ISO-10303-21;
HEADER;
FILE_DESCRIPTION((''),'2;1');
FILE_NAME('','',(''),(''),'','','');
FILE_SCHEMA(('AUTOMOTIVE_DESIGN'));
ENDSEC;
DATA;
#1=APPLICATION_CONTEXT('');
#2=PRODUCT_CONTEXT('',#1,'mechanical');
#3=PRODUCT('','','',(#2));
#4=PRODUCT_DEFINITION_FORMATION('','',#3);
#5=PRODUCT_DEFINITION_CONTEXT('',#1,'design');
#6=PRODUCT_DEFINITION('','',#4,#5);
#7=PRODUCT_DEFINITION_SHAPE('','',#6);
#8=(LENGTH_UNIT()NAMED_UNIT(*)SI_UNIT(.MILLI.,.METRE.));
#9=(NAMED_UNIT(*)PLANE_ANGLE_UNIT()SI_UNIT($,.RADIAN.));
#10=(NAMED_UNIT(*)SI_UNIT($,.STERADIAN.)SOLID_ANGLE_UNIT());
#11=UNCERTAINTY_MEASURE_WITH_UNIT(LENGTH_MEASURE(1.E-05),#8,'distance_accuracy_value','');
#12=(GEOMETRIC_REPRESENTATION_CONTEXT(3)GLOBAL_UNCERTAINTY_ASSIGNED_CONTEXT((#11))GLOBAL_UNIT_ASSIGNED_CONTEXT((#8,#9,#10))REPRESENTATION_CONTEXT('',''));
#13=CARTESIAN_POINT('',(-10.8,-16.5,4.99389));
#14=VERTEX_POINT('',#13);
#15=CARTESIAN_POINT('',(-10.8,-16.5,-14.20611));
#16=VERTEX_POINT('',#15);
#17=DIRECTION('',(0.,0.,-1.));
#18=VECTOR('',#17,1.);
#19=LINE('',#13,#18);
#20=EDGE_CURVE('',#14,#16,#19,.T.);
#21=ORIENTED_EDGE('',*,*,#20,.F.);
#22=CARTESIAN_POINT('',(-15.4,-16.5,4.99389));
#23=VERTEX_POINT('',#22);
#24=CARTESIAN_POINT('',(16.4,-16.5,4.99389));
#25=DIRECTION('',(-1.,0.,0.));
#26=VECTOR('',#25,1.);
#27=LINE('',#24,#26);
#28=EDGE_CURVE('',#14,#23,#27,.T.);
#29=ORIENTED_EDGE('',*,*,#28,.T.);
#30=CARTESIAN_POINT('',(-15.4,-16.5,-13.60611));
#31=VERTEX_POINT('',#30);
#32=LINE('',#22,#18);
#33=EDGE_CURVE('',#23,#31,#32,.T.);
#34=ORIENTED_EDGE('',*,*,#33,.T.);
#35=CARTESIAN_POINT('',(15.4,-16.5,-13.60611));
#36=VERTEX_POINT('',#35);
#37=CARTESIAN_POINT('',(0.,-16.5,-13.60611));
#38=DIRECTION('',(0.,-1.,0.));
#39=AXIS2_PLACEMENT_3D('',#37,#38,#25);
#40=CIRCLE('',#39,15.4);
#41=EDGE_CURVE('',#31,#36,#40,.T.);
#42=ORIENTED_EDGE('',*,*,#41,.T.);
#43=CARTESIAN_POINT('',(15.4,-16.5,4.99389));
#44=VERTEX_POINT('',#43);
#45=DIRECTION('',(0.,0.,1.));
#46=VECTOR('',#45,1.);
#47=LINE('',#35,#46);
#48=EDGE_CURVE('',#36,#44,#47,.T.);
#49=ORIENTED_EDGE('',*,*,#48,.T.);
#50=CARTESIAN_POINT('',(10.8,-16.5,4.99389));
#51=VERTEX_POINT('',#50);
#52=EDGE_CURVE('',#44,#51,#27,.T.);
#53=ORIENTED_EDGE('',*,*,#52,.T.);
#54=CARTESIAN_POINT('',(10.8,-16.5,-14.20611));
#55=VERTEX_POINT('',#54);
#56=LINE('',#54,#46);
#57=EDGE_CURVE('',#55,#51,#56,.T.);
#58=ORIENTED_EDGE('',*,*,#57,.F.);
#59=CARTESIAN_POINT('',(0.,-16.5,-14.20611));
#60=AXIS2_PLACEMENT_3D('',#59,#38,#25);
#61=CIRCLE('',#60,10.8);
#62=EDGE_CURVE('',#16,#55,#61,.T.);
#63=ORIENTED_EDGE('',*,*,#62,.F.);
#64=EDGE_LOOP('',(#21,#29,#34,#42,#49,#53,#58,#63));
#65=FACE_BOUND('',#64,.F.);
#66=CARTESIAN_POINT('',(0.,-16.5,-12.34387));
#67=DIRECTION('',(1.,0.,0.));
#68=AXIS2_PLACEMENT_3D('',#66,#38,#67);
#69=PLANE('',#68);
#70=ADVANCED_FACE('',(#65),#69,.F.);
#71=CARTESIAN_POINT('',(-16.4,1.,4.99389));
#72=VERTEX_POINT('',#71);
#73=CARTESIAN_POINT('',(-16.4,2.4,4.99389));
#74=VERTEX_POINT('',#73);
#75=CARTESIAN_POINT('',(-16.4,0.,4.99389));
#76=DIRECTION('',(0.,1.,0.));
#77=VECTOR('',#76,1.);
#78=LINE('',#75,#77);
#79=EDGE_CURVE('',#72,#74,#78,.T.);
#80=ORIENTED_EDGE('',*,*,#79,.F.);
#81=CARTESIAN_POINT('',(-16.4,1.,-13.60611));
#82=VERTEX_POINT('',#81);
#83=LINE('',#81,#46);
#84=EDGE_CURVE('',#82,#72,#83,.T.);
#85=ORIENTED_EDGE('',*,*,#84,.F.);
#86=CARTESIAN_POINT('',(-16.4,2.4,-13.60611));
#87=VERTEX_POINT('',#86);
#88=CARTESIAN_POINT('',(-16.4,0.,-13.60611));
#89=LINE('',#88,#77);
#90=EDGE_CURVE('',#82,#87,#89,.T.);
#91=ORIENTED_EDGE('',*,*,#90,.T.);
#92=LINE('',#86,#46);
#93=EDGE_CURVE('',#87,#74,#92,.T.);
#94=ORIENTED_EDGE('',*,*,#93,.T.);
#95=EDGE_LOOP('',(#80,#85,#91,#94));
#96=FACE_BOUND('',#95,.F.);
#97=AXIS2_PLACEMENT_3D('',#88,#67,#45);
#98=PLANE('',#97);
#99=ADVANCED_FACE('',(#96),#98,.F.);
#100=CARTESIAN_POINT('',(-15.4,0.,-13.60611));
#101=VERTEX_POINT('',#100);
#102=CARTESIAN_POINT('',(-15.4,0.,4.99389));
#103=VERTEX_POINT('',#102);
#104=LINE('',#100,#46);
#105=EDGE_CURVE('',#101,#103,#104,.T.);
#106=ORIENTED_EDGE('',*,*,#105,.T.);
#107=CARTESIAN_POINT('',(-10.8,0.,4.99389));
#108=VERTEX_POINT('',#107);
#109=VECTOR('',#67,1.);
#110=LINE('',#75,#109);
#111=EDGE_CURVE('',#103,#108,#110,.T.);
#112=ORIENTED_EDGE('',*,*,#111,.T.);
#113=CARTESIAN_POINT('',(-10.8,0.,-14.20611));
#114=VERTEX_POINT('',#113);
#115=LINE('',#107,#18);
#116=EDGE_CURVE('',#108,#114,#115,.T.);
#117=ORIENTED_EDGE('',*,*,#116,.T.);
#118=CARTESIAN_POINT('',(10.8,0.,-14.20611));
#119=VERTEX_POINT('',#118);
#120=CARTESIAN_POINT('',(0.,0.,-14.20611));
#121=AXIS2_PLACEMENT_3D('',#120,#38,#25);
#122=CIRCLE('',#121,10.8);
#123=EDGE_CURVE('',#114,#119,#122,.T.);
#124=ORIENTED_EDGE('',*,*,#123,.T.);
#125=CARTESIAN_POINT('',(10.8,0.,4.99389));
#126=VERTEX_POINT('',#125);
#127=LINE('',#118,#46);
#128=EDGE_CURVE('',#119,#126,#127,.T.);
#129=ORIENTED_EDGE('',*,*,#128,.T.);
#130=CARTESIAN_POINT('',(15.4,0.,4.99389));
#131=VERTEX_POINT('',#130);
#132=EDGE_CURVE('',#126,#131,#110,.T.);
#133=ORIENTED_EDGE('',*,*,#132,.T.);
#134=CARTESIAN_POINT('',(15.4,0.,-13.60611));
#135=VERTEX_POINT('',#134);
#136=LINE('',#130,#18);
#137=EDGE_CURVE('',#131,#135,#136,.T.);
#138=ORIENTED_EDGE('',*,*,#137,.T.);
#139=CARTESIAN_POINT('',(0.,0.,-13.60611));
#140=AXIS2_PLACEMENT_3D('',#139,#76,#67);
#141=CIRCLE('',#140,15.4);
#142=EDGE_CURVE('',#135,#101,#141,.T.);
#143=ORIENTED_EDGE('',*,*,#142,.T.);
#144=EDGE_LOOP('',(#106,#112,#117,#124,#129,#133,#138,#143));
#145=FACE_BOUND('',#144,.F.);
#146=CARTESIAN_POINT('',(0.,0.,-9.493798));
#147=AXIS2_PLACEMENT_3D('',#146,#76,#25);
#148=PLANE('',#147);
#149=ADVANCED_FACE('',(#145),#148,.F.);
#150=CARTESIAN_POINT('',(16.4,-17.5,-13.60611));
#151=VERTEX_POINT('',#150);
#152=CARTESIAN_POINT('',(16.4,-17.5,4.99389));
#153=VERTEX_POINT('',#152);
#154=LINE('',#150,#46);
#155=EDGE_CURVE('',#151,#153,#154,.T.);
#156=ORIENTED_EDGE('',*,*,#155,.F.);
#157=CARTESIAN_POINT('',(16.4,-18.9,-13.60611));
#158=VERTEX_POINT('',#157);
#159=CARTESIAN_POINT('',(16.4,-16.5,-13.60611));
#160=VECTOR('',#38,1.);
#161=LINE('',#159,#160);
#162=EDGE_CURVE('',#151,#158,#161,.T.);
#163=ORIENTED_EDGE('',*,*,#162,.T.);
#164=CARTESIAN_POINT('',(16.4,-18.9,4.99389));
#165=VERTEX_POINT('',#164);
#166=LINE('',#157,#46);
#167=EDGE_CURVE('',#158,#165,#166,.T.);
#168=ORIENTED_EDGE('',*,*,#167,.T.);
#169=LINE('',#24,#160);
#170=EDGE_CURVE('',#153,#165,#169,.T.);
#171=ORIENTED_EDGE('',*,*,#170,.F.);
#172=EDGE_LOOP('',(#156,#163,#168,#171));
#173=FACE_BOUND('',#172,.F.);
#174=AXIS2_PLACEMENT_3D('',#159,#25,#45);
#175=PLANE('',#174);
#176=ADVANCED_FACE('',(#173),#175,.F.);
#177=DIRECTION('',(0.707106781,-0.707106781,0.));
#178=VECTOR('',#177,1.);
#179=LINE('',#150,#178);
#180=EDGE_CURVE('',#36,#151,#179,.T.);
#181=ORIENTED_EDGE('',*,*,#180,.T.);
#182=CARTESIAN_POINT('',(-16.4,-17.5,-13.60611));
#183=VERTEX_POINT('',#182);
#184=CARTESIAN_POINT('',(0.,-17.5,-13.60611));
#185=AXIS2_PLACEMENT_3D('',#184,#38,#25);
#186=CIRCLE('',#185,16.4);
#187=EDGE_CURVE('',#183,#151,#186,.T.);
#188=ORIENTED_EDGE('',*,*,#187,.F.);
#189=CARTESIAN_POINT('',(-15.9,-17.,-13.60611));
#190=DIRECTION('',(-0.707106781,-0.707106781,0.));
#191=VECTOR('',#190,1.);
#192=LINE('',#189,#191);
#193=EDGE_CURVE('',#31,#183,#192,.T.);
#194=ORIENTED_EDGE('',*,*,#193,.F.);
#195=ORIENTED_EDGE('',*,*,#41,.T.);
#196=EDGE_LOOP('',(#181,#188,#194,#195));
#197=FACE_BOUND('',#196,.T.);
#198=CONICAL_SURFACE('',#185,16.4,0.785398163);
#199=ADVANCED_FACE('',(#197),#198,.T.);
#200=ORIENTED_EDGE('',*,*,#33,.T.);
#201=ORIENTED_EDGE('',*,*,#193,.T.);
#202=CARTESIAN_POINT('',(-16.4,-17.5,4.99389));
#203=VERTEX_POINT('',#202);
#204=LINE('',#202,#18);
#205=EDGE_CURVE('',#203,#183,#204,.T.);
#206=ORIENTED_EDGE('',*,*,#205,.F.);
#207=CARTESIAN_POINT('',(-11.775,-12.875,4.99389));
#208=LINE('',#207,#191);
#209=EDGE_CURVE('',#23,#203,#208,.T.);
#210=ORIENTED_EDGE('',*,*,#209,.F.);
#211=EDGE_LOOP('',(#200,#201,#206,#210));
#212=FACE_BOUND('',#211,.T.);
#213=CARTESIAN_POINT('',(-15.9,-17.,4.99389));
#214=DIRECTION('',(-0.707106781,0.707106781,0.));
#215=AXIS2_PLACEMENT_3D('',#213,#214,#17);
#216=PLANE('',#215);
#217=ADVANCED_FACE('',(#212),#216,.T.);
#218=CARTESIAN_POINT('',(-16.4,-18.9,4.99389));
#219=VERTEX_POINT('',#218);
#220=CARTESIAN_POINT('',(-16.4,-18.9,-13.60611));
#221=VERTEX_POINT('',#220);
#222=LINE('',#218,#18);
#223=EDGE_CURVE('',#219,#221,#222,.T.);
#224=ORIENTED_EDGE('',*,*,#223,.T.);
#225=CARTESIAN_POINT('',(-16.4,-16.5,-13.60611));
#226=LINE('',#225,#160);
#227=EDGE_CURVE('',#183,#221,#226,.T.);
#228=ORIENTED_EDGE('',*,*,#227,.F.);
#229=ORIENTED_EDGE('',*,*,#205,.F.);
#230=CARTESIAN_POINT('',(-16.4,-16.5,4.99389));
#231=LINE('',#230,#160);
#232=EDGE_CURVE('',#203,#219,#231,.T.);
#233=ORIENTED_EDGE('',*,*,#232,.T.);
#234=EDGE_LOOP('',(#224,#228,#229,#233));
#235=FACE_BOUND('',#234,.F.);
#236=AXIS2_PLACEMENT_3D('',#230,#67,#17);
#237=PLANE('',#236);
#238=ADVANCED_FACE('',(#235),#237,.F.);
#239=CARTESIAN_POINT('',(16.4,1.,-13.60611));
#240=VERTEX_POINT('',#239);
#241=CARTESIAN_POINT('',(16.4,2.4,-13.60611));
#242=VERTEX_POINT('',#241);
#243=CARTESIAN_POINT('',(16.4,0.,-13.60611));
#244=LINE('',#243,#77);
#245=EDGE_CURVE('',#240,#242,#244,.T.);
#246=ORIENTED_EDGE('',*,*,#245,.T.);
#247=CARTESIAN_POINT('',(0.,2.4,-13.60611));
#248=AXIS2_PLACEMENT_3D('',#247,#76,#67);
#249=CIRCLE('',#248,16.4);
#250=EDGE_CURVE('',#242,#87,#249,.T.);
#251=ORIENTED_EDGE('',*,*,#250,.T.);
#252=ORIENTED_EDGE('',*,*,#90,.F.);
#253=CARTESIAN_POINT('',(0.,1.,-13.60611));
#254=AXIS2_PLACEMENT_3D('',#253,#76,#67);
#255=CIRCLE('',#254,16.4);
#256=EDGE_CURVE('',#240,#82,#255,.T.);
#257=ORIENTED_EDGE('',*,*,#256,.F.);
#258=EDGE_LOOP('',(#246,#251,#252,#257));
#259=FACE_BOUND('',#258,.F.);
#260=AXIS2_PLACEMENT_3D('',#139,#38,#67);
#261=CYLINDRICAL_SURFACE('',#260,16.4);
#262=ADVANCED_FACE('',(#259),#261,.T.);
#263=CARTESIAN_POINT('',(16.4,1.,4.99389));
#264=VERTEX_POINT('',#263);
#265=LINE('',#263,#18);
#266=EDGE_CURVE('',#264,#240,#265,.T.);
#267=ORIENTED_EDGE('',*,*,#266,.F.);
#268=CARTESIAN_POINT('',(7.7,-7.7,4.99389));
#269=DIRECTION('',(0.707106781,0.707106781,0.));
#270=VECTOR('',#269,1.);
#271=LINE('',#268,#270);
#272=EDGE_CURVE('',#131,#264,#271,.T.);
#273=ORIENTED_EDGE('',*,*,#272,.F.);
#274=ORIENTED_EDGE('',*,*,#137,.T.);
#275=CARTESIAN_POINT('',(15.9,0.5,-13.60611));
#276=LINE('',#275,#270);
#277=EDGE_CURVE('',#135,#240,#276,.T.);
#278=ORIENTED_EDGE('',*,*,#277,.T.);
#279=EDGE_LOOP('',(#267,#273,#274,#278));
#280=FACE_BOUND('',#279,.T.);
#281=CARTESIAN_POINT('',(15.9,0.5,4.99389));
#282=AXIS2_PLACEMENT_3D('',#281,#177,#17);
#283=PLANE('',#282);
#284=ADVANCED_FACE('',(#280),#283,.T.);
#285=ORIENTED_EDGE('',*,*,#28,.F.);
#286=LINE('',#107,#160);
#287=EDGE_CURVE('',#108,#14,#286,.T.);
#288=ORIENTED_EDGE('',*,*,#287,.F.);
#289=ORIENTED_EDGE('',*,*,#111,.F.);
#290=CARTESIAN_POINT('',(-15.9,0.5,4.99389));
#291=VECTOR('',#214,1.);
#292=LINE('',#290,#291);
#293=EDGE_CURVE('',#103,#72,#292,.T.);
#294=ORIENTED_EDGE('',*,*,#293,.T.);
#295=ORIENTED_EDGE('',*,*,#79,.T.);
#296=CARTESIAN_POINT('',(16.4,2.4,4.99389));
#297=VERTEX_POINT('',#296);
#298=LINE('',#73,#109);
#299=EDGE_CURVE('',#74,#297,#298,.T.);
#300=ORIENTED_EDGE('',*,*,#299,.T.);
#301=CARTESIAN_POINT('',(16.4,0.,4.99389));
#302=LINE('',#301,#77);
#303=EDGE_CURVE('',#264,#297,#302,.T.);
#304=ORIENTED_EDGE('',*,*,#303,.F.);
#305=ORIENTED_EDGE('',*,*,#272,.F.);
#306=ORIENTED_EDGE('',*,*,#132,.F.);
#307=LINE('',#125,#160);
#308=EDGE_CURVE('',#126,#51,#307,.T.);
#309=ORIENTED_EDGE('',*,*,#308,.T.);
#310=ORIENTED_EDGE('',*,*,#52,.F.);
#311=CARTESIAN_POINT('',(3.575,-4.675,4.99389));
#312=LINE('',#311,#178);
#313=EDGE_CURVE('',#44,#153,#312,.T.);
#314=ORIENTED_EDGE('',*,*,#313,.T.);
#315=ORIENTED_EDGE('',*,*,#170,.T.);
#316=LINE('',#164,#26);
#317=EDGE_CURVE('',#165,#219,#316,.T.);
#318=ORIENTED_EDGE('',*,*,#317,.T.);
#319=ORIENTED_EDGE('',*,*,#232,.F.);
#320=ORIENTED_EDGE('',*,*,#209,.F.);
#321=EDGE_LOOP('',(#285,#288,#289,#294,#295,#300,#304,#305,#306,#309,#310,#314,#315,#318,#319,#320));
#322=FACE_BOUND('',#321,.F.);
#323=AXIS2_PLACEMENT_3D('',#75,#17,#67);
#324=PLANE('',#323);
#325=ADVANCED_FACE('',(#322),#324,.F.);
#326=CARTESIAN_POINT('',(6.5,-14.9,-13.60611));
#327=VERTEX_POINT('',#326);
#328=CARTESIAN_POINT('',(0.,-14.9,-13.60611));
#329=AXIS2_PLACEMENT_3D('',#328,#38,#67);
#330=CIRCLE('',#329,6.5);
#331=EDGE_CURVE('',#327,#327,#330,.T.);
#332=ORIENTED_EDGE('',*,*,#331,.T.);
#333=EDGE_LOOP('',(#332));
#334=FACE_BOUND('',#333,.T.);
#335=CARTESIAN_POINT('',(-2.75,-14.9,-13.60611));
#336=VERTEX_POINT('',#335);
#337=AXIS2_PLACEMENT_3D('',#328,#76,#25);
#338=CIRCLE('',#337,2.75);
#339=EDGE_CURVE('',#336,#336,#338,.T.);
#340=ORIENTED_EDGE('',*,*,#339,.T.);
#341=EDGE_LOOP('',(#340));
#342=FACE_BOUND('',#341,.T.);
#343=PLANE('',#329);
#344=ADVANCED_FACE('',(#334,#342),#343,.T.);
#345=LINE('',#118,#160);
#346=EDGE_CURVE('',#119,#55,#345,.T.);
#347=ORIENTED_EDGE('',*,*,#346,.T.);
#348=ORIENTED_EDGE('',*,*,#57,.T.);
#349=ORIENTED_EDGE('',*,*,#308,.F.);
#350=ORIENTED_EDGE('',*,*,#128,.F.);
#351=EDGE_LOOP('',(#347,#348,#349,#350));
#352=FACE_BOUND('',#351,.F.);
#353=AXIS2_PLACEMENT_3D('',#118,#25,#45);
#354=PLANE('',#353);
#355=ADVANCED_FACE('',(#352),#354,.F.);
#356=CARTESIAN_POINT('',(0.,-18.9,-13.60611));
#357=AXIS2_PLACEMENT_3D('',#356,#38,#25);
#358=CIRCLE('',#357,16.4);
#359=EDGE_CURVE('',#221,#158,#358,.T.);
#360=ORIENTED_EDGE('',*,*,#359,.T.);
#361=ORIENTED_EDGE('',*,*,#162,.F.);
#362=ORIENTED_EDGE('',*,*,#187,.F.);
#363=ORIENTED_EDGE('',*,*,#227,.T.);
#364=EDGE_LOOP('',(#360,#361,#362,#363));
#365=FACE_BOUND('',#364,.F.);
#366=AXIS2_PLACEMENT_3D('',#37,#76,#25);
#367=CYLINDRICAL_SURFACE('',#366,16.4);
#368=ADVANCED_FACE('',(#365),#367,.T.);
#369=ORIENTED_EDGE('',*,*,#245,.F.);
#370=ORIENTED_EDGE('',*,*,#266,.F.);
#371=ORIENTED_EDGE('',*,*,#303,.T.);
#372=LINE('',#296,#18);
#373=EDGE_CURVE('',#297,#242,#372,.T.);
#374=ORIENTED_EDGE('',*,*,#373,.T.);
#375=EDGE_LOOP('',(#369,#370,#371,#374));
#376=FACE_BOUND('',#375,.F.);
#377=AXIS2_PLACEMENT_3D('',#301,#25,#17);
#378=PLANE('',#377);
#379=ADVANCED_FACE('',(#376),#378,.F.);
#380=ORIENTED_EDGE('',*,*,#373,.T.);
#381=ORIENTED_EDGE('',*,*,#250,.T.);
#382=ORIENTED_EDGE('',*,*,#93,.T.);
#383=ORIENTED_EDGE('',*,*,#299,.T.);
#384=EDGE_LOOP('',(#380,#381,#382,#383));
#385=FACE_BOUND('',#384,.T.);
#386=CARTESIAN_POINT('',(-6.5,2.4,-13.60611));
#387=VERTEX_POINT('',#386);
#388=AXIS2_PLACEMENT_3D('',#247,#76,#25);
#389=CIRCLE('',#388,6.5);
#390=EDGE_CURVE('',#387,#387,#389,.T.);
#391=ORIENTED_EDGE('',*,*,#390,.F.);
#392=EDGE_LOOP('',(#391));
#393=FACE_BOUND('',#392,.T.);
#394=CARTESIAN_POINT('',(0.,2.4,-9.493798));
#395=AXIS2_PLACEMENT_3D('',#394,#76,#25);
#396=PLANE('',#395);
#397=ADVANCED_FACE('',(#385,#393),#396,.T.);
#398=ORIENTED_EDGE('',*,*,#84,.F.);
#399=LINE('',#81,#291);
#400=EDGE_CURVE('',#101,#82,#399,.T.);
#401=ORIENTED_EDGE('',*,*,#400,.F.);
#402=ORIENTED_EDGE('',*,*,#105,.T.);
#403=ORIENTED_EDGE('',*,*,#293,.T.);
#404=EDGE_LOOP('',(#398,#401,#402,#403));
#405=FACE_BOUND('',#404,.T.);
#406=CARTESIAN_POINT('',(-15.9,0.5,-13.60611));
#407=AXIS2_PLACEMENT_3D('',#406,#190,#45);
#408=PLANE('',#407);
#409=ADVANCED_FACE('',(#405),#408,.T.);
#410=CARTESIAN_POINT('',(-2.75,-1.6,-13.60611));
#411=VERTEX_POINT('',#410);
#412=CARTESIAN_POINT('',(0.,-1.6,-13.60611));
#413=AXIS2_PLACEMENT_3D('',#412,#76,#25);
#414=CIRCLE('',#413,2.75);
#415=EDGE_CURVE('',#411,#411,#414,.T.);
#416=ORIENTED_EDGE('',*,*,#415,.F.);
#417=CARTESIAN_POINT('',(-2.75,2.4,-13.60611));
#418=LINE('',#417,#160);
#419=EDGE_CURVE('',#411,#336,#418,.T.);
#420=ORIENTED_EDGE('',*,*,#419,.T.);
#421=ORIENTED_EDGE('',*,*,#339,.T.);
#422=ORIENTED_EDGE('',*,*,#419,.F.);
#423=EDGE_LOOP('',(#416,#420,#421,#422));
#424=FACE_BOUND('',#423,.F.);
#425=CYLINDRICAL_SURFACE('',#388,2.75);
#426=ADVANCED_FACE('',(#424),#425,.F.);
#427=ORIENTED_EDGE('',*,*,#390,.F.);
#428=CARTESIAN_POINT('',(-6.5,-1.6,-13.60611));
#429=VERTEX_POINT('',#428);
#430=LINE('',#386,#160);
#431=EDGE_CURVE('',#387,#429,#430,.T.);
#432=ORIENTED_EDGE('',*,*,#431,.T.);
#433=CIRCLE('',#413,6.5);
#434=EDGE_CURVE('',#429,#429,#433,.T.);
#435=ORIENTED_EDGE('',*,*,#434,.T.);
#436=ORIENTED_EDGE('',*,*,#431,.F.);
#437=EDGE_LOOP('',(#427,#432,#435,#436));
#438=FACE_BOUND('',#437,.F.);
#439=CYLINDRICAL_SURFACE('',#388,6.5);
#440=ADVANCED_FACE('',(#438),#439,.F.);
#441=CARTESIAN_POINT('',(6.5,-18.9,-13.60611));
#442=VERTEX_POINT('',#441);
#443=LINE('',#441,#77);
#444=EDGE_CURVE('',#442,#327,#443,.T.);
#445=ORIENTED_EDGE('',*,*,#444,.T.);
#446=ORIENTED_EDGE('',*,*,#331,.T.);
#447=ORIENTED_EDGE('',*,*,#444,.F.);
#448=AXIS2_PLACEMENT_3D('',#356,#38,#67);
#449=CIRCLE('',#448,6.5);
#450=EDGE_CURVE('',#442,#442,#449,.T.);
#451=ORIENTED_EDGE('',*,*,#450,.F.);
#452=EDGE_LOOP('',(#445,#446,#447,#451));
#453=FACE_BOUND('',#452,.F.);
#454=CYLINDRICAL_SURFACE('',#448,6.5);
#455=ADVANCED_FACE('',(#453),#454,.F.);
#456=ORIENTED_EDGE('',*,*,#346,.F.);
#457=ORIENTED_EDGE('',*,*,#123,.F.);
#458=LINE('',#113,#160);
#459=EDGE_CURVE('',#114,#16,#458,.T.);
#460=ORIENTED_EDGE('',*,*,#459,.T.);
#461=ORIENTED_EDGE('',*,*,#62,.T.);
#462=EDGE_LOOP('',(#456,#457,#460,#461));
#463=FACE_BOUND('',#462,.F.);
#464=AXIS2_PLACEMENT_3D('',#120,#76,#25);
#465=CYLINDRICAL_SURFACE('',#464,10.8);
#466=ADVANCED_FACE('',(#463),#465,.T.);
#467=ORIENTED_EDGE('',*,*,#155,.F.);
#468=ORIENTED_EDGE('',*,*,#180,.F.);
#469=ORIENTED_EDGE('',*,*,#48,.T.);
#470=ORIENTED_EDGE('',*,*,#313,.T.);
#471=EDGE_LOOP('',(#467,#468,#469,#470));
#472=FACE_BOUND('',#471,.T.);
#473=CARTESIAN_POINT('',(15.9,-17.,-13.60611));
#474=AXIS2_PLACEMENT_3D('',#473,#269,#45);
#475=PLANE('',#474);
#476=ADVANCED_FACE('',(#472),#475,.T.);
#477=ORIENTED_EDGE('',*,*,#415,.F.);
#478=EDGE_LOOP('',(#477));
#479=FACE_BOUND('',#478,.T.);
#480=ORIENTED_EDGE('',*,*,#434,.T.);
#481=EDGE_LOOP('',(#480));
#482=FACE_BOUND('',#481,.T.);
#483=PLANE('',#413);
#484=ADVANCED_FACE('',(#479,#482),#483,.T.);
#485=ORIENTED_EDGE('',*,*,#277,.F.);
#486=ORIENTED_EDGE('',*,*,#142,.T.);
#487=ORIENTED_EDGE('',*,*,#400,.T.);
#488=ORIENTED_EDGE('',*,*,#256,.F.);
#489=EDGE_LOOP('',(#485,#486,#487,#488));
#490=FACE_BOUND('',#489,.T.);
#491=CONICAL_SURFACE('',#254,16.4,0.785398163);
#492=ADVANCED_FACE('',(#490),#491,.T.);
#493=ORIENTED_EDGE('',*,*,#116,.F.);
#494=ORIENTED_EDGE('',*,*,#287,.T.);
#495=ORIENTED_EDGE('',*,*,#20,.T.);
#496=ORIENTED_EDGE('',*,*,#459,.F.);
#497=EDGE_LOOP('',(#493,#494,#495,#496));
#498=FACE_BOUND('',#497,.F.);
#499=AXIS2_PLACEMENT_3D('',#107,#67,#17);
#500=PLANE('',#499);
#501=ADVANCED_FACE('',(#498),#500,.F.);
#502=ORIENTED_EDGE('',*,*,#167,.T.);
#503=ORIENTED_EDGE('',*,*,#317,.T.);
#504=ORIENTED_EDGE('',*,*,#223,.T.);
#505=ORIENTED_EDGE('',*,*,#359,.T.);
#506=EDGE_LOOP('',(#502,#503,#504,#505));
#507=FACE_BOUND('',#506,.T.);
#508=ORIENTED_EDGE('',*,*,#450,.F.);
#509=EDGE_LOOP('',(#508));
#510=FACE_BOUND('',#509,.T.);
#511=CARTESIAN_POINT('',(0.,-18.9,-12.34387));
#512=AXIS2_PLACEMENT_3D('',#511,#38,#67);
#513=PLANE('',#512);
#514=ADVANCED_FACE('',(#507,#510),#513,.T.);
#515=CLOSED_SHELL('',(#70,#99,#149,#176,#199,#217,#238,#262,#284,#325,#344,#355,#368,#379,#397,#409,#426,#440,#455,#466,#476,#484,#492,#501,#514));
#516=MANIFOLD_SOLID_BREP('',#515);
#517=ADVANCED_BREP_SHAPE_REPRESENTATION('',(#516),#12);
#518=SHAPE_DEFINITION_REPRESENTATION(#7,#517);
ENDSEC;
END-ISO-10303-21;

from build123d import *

# Parameters (mm, degrees)
F1_DEPTH  = 16.5
F3_DEPTH  = 2.4
F5_DEPTH  = 2.4
F6_R      = 2.75
F7_DEPTH  = 21.301
F8_SIZE   = 1
F9_R      = 6.5
F10_DEPTH = 4
F11_R     = 6.5
F12_DEPTH = 4


with BuildPart() as f1:
    # F0 (on Front) → F1 (new body)
    with BuildSketch(Plane.XZ):
        with BuildLine():
            Line((10.8, 4.99389), (-10.8, 4.99389))
            Line((-10.8, 4.99389), (-10.8, -14.20611))
            ThreePointArc((-10.8, -14.20611), (0, -25.00611), (10.8, -14.20611))
            Line((10.8, -14.20611), (10.8, 4.99389))
        make_face()
    extrude(amount=F1_DEPTH)

    # F2 (on face) → F3 (join)
    with BuildSketch(Plane.XZ.offset(16.5)):
        with BuildLine():
            Line((10.8, 4.99389), (10.8, -14.20611))
            ThreePointArc((10.8, -14.20611), (0, -25.00611), (-10.8, -14.20611))
            Line((-10.8, -14.20611), (-10.8, 4.99389))
            Line((-10.8, 4.99389), (-16.4, 4.99389))
            Line((-16.4, 4.99389), (-16.4, -13.60611))
            ThreePointArc((-16.4, -13.60611), (0, -30.00611), (16.4, -13.60611))
            Line((16.4, -13.60611), (16.4, 4.99389))
            Line((16.4, 4.99389), (10.8, 4.99389))
        make_face()
        with BuildLine():
            ThreePointArc((-10.8, -14.20611), (0, -25.00611), (10.8, -14.20611))
            Line((10.8, -14.20611), (10.8, 4.99389))
            Line((10.8, 4.99389), (-10.8, 4.99389))
            Line((-10.8, 4.99389), (-10.8, -14.20611))
        make_face()
    extrude(amount=F3_DEPTH)

    # F4 (on face) → F5 (join)
    with BuildSketch(Plane(origin=(0, 0, 0), x_dir=(-1, 0, 0), z_dir=(0, 1, 0))):
        with BuildLine():
            Line((16.4, 4.99389), (-16.4, 4.99389))
            Line((-16.4, 4.99389), (-16.4, -13.60611))
            ThreePointArc((-16.4, -13.60611), (0, -30.00611), (16.4, -13.60611))
            Line((16.4, -13.60611), (16.4, 4.99389))
        make_face()
    extrude(amount=F5_DEPTH)

    # F6 (on face) → F7 (cut, through all)
    with BuildSketch(Plane(origin=(0, 2.4, 0), x_dir=(-1, 0, 0), z_dir=(0, 1, 0))):
        with Locations((0, -13.60611)):
            Circle(F6_R)
    extrude(amount=-F7_DEPTH, mode=Mode.SUBTRACT)

    # F8
    f8_edges = [f1.edges().sort_by_distance(p)[0] for p in [
        (0, -16.5, -30.00611),
        (0, 0, -30.00611),
    ]]
    chamfer(f8_edges, length=F8_SIZE)

    # F9 (on face) → F10 (cut)
    with BuildSketch(Plane(origin=(0, 2.4, 0), x_dir=(-1, 0, 0), z_dir=(0, 1, 0))):
        with Locations((0, -13.60611)):
            Circle(F9_R)
    extrude(amount=-F10_DEPTH, mode=Mode.SUBTRACT)

    # F11 (on face) → F12 (cut)
    with BuildSketch(Plane.XZ.offset(18.9)):
        with Locations((0, -13.60611)):
            Circle(F11_R)
    extrude(amount=-F12_DEPTH, mode=Mode.SUBTRACT)


solid = f1.part
